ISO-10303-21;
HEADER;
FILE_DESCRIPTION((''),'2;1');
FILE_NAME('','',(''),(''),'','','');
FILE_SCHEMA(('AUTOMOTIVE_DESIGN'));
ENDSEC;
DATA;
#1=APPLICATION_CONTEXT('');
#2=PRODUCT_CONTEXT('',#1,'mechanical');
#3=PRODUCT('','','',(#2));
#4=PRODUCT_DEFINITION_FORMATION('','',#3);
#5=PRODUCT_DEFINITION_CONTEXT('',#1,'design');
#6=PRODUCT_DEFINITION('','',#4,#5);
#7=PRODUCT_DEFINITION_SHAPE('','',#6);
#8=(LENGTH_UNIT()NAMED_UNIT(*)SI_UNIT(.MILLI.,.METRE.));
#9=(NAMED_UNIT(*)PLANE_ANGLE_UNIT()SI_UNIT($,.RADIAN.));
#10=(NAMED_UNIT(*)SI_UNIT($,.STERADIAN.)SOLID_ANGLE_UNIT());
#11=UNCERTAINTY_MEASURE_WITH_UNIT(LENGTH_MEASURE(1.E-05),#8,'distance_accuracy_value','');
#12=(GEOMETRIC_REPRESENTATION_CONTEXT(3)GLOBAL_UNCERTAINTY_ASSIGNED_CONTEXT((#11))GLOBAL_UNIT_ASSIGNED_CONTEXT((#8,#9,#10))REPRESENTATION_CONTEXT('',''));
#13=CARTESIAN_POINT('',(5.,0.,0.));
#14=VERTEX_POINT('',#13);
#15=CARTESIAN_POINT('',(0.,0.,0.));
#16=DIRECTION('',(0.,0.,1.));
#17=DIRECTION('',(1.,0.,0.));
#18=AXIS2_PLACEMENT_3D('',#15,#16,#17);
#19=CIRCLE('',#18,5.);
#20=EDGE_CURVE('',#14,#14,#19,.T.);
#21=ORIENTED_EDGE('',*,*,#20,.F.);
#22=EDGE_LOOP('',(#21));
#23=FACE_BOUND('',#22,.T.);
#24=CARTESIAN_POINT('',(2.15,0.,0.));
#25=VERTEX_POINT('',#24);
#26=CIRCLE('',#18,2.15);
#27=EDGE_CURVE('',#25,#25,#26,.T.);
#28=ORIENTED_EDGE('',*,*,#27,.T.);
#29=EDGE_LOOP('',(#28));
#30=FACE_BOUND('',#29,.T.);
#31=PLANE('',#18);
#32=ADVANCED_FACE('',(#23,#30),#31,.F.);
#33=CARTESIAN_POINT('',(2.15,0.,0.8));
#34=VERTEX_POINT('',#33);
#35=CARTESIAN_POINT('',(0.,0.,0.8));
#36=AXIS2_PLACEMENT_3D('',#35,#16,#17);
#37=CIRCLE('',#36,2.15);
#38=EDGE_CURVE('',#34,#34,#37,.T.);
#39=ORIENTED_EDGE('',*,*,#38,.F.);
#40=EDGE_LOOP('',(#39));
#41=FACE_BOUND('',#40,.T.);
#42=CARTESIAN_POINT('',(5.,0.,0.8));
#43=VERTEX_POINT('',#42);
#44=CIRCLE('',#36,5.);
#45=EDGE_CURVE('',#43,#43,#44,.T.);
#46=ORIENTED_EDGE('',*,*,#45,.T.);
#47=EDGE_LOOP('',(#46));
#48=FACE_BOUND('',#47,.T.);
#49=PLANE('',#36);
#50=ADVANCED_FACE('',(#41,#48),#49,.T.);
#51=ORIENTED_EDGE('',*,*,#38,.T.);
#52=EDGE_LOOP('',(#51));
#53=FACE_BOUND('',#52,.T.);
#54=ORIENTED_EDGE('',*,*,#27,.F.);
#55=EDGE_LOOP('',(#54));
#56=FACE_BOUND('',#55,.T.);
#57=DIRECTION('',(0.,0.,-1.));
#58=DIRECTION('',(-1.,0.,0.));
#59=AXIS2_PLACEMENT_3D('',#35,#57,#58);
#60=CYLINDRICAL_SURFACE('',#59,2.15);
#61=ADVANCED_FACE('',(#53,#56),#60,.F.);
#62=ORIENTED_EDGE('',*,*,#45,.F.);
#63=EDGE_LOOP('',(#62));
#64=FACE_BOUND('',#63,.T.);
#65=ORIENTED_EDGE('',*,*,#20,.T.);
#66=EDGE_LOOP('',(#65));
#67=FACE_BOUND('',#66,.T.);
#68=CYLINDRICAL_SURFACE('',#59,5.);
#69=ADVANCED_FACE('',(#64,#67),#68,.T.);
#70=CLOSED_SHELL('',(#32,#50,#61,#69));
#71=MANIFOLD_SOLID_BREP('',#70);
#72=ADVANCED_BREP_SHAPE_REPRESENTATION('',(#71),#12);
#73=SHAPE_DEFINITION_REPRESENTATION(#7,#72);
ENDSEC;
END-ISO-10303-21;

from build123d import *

# Parameters (mm, degrees)
ESQUISSE1_R      = 5
ESQUISSE1_R_2    = 2.15
EXTRUSION1_DEPTH = 0.8


with BuildPart() as part:
    # Esquisse1 → Extrusion1 (new body)
    with BuildSketch(Plane.XY):
        Circle(ESQUISSE1_R)
        Circle(ESQUISSE1_R_2, mode=Mode.SUBTRACT)
    extrude(amount=EXTRUSION1_DEPTH)


solid = part.part
